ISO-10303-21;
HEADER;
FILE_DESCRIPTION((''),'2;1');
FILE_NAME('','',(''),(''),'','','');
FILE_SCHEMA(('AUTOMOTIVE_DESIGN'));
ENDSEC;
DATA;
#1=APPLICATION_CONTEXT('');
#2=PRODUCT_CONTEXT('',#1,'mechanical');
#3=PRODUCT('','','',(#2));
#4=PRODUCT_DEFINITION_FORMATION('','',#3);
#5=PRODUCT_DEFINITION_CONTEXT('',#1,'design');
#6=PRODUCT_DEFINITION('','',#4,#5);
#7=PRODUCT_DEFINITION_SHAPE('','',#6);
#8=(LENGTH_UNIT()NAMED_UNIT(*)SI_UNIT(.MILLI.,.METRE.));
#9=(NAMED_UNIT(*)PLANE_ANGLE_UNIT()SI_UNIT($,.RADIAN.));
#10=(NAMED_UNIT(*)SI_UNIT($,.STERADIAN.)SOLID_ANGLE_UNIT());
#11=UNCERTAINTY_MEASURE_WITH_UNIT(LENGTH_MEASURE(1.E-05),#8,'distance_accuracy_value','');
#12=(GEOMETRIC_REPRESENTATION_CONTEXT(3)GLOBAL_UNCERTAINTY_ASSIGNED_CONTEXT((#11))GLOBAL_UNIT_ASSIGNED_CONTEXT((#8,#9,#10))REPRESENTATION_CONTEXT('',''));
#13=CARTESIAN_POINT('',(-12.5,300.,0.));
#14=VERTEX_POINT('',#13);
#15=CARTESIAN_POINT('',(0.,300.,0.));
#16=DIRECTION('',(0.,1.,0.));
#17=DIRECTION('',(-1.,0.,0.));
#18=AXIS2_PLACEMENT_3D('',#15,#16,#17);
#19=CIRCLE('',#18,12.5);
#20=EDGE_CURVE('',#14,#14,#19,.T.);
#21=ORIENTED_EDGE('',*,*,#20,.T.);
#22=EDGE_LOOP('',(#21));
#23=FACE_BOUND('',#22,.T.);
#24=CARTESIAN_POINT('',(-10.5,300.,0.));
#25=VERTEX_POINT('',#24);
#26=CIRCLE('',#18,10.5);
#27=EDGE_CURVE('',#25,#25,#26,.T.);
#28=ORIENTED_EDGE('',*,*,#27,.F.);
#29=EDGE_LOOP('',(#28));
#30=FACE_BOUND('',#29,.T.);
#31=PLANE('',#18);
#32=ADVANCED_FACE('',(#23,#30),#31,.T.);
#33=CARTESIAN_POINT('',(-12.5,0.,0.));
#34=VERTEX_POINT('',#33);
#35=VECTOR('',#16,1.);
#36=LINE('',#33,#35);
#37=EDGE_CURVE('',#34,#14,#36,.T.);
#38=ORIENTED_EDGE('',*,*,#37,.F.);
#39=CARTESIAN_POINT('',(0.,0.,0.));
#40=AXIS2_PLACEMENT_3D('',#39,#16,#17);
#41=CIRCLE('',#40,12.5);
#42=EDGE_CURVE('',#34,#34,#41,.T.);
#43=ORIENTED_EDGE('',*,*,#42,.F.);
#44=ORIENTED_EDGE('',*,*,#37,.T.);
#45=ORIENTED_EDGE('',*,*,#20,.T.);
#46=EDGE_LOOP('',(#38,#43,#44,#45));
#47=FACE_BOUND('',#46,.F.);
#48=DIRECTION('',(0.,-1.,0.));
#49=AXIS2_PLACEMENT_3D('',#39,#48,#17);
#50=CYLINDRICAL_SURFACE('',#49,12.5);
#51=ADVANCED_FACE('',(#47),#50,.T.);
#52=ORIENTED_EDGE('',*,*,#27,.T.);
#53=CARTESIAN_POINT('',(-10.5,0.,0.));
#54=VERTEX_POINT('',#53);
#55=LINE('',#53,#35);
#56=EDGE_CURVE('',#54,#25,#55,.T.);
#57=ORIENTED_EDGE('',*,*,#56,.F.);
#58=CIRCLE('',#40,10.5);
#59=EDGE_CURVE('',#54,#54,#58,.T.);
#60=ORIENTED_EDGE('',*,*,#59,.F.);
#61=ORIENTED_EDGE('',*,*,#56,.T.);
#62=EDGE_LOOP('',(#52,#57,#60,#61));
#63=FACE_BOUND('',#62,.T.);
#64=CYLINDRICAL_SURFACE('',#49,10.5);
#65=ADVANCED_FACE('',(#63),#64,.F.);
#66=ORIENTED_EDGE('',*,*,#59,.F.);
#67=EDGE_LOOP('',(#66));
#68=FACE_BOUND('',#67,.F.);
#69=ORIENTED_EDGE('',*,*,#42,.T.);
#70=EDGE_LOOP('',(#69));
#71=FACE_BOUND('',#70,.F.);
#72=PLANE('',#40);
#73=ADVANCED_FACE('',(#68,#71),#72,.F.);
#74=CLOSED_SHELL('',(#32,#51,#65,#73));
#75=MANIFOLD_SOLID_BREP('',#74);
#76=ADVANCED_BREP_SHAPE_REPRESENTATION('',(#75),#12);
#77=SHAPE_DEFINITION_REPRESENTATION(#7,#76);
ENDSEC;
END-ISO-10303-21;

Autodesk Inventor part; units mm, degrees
ref_plane "YZ Plane" through (0, 0, 0) normal (1, 0, 0) x (0, 1, 0)
ref_plane "XZ Plane" through (0, 0, 0) normal (0, 1, 0) x (-1, 0, 0)
ref_plane "XY Plane" through (0, 0, 0) normal (0, 0, 1) x (1, 0, 0)
sketch "Sketch1" plane through (0, 0, 0) normal (0, 1, 0) x (-1, 0, 0)
  circle A0 centre (0, 0) radius 12.5
  circle A1 centre (0, 0) radius 10.5
  dimension "d0" = 25
  dimension "d1" = 21
extrude "Extrusion1" add sketch "Sketch1" along normal blind 300
properties part number "carbon_fiber_25_21_300" material "CFRP"
